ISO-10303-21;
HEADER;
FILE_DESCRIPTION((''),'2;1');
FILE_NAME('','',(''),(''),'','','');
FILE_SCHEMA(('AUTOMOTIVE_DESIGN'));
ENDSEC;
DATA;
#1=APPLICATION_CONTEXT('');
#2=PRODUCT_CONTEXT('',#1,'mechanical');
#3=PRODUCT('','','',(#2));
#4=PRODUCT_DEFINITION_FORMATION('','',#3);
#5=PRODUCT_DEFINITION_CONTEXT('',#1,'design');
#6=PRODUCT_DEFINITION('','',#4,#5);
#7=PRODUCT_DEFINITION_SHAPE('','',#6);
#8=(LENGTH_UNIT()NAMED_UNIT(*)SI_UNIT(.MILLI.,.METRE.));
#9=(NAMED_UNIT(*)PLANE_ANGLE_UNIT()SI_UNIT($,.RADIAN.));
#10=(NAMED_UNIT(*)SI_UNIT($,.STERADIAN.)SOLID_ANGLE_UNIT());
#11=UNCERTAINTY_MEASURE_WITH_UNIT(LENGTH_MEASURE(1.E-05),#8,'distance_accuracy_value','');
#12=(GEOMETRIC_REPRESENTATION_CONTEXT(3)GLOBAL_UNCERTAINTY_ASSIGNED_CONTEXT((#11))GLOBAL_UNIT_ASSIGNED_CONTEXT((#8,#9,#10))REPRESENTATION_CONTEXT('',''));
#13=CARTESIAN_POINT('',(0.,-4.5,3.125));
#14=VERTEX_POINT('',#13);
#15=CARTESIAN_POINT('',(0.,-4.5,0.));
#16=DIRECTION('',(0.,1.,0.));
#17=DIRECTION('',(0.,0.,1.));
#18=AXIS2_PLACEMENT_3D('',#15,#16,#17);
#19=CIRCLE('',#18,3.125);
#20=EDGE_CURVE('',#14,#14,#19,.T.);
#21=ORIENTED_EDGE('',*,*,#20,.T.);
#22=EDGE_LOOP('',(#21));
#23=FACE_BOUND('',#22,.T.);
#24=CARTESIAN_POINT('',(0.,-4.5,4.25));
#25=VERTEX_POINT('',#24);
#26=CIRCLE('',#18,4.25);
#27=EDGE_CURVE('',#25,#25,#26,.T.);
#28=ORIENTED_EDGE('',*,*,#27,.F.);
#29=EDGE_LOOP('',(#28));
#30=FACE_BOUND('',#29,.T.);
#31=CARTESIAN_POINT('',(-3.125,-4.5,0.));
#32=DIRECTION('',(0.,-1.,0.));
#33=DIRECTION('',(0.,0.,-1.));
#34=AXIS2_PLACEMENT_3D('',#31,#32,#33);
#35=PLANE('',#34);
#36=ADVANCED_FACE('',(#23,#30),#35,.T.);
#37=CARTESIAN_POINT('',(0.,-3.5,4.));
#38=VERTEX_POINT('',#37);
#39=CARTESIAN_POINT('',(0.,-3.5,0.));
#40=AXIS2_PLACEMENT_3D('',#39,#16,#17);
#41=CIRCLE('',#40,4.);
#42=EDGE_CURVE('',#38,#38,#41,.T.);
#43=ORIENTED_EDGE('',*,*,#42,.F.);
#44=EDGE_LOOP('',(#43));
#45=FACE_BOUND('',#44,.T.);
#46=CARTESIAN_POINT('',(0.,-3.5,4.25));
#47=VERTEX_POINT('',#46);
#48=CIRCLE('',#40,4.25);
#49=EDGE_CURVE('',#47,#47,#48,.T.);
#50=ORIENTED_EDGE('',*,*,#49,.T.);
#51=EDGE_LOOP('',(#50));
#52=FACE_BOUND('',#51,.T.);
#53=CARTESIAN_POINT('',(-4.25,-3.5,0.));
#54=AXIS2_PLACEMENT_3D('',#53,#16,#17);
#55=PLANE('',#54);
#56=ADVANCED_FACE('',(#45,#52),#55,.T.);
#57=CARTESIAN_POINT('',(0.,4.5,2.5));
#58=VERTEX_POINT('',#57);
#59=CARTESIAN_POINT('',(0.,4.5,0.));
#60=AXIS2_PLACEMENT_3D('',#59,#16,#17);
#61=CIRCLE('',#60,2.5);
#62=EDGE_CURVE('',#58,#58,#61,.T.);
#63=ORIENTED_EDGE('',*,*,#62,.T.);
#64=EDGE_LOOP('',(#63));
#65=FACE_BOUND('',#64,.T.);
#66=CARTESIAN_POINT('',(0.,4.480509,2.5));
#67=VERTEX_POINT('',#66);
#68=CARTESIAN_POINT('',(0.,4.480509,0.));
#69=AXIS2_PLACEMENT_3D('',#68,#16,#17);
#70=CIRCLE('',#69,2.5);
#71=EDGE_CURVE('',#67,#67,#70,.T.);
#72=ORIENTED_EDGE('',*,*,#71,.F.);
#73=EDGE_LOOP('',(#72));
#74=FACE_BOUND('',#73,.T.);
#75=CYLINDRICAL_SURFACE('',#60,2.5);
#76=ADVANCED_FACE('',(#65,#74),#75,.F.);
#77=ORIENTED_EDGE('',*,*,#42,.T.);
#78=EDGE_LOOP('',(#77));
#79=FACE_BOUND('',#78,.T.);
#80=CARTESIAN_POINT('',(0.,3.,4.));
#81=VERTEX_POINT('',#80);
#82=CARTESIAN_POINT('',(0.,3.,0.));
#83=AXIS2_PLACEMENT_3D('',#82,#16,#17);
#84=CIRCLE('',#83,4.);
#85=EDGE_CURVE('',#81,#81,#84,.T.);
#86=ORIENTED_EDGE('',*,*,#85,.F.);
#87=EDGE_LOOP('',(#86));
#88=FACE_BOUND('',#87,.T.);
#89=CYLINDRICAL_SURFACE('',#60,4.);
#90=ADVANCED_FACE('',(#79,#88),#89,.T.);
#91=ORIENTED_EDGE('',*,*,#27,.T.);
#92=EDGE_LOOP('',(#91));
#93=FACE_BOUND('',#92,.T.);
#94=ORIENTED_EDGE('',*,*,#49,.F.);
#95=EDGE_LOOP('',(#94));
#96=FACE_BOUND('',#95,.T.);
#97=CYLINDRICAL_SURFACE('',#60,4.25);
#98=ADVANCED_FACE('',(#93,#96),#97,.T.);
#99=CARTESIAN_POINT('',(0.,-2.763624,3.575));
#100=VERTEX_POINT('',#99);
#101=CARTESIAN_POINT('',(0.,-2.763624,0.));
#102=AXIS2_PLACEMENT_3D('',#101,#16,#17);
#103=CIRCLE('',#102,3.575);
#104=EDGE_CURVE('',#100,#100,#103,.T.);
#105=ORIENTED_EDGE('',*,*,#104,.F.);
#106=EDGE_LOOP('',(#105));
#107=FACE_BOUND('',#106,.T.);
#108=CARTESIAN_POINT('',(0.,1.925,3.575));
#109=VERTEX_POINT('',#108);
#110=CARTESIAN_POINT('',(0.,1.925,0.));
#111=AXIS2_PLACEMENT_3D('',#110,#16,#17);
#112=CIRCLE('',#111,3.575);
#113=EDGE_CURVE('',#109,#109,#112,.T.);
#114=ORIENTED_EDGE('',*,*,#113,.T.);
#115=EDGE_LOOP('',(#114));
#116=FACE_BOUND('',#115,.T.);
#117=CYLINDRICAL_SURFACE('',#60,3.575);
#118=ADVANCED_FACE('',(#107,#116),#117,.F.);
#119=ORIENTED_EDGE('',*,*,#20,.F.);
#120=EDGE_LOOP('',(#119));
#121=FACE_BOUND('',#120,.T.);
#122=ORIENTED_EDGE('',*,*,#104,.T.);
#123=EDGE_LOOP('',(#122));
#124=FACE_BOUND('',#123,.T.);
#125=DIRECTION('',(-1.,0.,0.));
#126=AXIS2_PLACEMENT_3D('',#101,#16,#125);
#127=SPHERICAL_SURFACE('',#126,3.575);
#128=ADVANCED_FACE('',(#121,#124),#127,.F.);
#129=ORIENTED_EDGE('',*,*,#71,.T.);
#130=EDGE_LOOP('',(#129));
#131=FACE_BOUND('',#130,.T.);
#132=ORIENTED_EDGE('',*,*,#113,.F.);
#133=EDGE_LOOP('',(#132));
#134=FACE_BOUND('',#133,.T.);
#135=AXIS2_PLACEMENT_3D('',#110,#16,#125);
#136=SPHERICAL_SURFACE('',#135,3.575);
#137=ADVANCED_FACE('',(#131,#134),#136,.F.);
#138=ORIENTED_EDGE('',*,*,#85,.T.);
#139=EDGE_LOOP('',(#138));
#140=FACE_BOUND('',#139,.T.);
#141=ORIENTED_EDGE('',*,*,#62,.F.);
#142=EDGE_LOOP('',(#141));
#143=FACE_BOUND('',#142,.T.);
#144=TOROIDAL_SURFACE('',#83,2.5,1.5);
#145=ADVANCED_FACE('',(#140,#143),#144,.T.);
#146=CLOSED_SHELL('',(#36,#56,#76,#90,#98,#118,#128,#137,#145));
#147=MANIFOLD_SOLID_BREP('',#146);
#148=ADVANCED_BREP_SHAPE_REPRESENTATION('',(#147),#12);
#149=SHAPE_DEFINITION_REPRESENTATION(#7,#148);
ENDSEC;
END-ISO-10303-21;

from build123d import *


with BuildPart() as part:
    # Sketch1 → Revolve1 (revolve)
    with BuildSketch(Plane.XY, mode=Mode.PRIVATE) as revolve1_sk:
        with BuildLine():
            Line((-3.125, -4.5), (-4.25, -4.5))
            Line((-4.25, -4.5), (-4.25, -3.5))
            Line((-4.25, -3.5), (-4, -3.5))
            Line((-4, -3.5), (-4, 3))
            ThreePointArc((-4, 3), (-3.560660172, 4.060660172), (-2.5, 4.5))
            Line((-2.5, 4.5), (-2.5, 4.480508756))
            ThreePointArc((-2.5, 4.480508756), (-3.295309166, 3.31120435), (-3.575, 1.925))
            Line((-3.575, 1.925), (-3.575, -2.763624465))
            ThreePointArc((-3.575, -2.763624465), (-3.4606719, -3.66049402), (-3.125, -4.5))
        make_face()
    revolve(revolve1_sk.sketch.rotate(Axis((0, 4.5, 0), (0, -1, 0)), 270), axis=Axis((0, 4.5, 0), (0, -1, 0)))  # turned: the seam where the file's is


solid = part.part
